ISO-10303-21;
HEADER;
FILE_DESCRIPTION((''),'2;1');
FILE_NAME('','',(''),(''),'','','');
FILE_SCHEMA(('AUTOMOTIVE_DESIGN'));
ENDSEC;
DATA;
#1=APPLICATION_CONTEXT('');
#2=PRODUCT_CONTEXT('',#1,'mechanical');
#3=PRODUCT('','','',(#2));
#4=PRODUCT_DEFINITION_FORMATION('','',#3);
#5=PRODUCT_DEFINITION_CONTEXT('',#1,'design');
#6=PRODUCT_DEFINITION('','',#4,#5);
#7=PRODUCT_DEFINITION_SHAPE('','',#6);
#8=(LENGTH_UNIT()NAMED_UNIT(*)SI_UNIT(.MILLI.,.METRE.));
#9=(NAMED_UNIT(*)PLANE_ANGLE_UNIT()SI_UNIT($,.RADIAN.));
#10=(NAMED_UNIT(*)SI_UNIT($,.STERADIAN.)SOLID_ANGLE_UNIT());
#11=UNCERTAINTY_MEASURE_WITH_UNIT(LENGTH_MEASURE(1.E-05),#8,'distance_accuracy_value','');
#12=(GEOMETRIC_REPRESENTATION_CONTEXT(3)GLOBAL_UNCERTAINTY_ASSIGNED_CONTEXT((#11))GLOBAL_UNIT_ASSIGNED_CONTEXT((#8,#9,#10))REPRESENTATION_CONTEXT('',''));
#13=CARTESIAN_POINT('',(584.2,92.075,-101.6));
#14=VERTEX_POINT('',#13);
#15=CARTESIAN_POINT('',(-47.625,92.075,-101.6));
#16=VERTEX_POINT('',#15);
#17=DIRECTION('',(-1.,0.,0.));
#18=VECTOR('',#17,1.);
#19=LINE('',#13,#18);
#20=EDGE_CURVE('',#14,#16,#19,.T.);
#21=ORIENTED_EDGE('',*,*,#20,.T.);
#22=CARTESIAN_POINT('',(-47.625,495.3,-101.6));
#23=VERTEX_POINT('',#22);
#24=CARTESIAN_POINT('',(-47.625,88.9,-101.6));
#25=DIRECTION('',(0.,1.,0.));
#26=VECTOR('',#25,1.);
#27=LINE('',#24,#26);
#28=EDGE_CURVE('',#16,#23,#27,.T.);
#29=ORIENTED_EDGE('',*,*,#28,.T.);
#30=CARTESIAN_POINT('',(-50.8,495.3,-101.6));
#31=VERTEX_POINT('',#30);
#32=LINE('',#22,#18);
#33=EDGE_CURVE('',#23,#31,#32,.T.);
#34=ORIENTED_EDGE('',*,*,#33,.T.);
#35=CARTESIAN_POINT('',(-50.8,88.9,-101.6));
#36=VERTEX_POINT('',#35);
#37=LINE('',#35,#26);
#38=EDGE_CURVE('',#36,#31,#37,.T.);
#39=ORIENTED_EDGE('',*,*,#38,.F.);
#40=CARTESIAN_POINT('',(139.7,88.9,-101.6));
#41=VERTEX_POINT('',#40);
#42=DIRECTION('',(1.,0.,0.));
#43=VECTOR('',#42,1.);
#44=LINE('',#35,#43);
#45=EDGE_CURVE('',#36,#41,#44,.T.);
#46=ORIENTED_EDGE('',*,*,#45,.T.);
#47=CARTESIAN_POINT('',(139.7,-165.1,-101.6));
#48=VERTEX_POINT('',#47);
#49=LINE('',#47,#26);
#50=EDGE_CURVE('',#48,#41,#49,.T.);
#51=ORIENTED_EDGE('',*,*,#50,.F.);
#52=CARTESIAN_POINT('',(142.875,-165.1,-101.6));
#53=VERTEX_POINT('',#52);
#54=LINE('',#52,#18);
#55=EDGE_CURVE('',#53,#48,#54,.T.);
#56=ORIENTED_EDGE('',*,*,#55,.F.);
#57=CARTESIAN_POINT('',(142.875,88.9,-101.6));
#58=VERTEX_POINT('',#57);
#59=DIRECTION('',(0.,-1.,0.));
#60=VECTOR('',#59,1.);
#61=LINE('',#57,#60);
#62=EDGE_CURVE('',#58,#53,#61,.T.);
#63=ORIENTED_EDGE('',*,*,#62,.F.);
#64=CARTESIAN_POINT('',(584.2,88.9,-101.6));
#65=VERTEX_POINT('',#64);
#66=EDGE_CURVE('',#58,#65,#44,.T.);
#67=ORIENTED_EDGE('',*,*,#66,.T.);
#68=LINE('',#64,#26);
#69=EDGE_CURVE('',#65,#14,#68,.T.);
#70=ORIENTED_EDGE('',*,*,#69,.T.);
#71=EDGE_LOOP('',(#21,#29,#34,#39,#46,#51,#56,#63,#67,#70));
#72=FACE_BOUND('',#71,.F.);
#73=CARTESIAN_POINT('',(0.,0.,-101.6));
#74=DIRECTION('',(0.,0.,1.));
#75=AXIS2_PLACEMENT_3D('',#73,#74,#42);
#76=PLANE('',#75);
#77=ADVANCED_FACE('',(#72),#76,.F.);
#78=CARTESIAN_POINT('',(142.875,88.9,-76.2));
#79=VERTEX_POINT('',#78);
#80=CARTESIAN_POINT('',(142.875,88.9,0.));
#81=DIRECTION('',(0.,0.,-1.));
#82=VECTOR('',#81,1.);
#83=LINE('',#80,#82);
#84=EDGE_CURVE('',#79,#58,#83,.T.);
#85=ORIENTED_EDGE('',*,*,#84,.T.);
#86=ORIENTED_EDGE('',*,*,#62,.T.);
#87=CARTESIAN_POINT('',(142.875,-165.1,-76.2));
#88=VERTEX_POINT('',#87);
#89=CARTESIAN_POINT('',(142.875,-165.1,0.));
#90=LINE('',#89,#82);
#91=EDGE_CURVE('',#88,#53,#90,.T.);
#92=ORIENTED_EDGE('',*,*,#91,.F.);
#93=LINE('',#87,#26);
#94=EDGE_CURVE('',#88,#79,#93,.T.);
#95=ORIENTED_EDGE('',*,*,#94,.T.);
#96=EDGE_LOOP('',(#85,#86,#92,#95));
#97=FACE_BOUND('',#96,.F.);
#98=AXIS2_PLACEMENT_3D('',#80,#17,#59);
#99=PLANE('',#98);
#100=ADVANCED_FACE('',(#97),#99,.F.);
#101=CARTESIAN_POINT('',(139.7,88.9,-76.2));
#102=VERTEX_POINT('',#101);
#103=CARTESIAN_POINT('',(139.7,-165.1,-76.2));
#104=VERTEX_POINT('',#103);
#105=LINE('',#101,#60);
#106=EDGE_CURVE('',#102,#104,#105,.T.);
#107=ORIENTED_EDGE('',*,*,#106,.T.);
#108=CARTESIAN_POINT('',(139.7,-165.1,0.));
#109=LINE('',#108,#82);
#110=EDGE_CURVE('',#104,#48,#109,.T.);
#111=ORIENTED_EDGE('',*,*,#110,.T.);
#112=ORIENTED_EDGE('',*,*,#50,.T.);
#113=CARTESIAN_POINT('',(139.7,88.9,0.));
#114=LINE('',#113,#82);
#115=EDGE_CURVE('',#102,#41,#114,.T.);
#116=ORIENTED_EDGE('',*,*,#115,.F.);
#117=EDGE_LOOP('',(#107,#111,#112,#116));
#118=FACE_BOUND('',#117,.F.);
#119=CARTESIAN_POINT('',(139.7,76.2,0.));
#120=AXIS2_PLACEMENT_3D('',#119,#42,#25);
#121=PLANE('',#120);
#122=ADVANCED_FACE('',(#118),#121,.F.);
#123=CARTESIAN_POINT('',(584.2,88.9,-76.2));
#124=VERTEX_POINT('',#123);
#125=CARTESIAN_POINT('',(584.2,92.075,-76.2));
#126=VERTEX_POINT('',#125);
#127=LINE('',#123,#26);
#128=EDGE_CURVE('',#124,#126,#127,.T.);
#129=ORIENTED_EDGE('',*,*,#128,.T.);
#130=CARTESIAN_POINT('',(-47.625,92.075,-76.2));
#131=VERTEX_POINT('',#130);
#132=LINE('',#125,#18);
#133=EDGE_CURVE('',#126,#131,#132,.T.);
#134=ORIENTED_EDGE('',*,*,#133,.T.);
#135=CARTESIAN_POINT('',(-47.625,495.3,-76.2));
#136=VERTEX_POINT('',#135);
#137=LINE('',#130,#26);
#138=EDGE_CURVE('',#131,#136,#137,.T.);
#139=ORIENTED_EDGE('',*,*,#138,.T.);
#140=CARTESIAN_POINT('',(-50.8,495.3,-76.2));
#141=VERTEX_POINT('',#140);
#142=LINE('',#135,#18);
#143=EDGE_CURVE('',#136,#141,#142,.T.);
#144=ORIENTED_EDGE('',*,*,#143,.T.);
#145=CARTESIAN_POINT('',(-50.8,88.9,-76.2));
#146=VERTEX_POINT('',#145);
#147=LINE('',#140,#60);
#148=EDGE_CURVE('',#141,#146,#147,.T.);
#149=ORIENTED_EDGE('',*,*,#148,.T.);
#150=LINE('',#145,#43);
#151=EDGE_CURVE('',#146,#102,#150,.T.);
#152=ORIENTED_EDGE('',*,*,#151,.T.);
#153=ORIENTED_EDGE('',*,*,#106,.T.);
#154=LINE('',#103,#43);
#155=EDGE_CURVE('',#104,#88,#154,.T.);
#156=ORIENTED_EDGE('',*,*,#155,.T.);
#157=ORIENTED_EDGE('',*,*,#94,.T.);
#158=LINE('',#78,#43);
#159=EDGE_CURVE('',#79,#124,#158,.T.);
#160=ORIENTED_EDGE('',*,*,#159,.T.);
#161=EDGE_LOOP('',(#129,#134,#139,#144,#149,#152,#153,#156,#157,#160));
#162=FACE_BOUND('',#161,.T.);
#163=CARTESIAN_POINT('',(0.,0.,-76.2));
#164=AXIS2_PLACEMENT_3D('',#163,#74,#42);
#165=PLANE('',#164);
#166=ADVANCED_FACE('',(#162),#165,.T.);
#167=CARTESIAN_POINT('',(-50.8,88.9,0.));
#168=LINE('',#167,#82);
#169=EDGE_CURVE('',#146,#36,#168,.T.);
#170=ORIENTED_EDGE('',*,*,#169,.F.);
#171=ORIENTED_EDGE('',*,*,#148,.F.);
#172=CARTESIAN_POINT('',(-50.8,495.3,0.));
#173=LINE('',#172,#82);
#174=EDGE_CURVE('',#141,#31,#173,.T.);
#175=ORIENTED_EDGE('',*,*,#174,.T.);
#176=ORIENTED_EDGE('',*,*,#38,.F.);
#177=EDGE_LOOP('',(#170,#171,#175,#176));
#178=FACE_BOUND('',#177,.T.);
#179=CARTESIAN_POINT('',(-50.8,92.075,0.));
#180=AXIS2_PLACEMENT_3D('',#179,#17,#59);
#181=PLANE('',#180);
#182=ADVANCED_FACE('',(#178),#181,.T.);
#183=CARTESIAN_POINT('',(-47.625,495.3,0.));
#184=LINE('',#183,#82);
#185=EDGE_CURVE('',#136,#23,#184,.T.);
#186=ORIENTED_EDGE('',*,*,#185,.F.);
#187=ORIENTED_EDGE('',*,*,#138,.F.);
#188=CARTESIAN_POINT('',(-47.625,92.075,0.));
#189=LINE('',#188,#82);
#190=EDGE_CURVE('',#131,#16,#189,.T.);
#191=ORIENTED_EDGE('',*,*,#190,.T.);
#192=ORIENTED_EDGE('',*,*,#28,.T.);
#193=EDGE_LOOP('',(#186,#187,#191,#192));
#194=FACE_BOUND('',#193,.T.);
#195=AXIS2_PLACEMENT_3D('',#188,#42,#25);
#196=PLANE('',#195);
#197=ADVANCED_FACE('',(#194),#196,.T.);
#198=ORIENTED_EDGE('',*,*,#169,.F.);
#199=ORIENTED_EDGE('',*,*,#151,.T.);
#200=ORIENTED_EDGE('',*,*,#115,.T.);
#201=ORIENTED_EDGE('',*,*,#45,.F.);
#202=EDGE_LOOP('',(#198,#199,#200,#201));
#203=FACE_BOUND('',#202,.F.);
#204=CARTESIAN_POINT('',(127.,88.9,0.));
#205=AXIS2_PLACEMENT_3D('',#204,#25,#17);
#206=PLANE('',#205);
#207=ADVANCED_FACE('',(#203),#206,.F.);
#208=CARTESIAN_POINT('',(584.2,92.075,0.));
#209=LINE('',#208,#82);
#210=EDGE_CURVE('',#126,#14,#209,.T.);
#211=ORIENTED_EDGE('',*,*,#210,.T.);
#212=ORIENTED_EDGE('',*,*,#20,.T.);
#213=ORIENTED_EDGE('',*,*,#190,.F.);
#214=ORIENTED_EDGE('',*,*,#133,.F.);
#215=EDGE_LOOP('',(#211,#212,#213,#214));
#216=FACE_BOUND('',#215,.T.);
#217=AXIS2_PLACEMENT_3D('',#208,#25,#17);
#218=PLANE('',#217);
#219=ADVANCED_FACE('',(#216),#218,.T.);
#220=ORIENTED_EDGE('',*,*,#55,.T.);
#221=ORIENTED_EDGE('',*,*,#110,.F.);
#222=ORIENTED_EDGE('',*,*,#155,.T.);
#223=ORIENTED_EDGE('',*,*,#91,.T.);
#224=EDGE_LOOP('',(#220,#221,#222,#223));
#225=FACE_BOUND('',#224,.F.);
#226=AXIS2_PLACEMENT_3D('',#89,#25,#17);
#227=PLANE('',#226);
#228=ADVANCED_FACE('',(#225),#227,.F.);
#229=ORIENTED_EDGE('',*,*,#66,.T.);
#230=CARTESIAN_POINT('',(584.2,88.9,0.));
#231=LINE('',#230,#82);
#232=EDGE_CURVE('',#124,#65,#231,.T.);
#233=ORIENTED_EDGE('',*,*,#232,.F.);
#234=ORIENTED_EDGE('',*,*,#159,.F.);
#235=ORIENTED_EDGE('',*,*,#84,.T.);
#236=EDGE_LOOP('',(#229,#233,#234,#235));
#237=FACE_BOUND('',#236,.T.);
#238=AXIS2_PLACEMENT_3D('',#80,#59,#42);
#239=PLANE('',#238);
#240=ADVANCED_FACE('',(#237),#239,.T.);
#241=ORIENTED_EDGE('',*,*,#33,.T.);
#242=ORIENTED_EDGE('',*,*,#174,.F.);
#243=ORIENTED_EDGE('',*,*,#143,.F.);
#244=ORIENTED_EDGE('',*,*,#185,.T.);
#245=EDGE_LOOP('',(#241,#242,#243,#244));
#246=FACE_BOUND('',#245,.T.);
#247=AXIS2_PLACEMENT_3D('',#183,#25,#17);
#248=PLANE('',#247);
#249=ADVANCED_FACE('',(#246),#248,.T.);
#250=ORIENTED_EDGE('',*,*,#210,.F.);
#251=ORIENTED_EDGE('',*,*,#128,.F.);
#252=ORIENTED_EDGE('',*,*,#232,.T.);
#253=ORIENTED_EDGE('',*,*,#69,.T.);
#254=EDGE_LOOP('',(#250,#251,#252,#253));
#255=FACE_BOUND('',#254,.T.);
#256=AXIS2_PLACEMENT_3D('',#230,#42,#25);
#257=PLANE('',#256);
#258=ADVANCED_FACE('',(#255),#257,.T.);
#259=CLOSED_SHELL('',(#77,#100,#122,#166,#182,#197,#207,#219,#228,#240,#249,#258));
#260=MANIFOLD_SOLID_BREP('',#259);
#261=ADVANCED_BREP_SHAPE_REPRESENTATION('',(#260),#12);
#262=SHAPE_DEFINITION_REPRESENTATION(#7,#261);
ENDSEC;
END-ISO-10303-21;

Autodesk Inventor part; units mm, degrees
ref_plane "YZ Plane" through (0, 0, 0) normal (1, 0, 0) x (0, 1, 0)
ref_plane "XZ Plane" through (0, 0, 0) normal (0, 1, 0) x (-1, 0, 0)
ref_plane "XY Plane" through (0, 0, 0) normal (0, 0, 1) x (1, 0, 0)
sketch "Sketch1" plane through (0, 0, 0) normal (0, 0, 1) x (1, 0, 0)
  line L0 (0, 0) -> (127, 0)
  line L1 (127, 0) -> (127, 76.2)
  line L2 (127, 76.2) -> (0, 76.2)
  line L3 (0, 76.2) -> (0, 0)
  line L4 (0, 0) -> (-50.8, 0)
  line L5 (-50.8, 0) -> (-50.8, 76.2)
  line L6 (-50.8, 76.2) -> (0, 76.2)
  line L7 (0, 76.2) -> (0, 0)
  line L8 (-50.8, 76.2) -> (127, 76.2)
  line L9 (127, 76.2) -> (127, 88.9)
  line L10 (127, 88.9) -> (-50.8, 88.9)
  line L11 (-50.8, 88.9) -> (-50.8, 76.2)
  line L12 (-50.8, 88.9) -> (-47.625, 88.9)
  line L13 (-47.625, 88.9) -> (-47.625, 495.3)
  line L14 (-47.625, 495.3) -> (-50.8, 495.3)
  line L15 (-50.8, 495.3) -> (-50.8, 88.9)
  line L16 (-50.8, 88.9) -> (584.2, 88.9)
  line L17 (584.2, 88.9) -> (584.2, 92.075)
  line L18 (584.2, 92.075) -> (-50.8, 92.075)
  line L19 (-50.8, 92.075) -> (-50.8, 88.9)
  line L20 (127, 76.2) -> (139.7, 76.2)
  line L21 (139.7, 76.2) -> (139.7, 88.9)
  line L22 (139.7, 88.9) -> (127, 88.9)
  line L23 (127, 88.9) -> (127, 76.2)
  line L24 (139.7, 88.9) -> (142.875, 88.9)
  line L25 (142.875, 88.9) -> (142.875, -165.1)
  line L26 (142.875, -165.1) -> (139.7, -165.1)
  line L27 (139.7, -165.1) -> (139.7, 88.9)
  dimension "d11" = 127
  dimension "d12" = 76.2
  dimension "d13" = 50.8
  dimension "d14" = 76.2
  dimension "d15" = 177.8
  dimension "d16" = 12.7
  dimension "d17" = 3.175
  dimension "d18" = 406.4
  dimension "d19" = 635
  dimension "d20" = 3.175
  dimension "d21" = 12.7
  dimension "d22" = 12.7
  dimension "d23" = 3.175
  dimension "d24" = 254
extrude "Extrusion1" add sketch "Sketch1" against normal blind 101.6 contours L10 L13 L18 L17 L16 | L21 L16 L25 L26 L27 | L15 L18 L13 L10 | L15 L14 L13 L18
sketch "Sketch2" plane through (0, 0, 0) normal (0, 0, 1) x (1, 0, 0)
  line L0 (-50.8, 88.9) -> (139.7, 88.9) projected
  line L1 (139.7, 88.9) -> (139.7, -165.1) projected
  line L2 (139.7, -165.1) -> (142.875, -165.1) projected
  line L3 (142.875, -165.1) -> (142.875, 88.9) projected
  line L4 (142.875, 88.9) -> (584.2, 88.9) projected
  line L5 (584.2, 88.9) -> (584.2, 92.075) projected
  line L6 (584.2, 92.075) -> (-47.625, 92.075) projected
  line L7 (-47.625, 92.075) -> (-47.625, 495.3) projected
  line L8 (-47.625, 495.3) -> (-50.8, 495.3) projected
  line L9 (-50.8, 495.3) -> (-50.8, 88.9) projected
  point P0 (0, 0)
extrude "Extrusion2" cut sketch "Sketch2" against normal blind 76.2
properties part number "ArmTest"
